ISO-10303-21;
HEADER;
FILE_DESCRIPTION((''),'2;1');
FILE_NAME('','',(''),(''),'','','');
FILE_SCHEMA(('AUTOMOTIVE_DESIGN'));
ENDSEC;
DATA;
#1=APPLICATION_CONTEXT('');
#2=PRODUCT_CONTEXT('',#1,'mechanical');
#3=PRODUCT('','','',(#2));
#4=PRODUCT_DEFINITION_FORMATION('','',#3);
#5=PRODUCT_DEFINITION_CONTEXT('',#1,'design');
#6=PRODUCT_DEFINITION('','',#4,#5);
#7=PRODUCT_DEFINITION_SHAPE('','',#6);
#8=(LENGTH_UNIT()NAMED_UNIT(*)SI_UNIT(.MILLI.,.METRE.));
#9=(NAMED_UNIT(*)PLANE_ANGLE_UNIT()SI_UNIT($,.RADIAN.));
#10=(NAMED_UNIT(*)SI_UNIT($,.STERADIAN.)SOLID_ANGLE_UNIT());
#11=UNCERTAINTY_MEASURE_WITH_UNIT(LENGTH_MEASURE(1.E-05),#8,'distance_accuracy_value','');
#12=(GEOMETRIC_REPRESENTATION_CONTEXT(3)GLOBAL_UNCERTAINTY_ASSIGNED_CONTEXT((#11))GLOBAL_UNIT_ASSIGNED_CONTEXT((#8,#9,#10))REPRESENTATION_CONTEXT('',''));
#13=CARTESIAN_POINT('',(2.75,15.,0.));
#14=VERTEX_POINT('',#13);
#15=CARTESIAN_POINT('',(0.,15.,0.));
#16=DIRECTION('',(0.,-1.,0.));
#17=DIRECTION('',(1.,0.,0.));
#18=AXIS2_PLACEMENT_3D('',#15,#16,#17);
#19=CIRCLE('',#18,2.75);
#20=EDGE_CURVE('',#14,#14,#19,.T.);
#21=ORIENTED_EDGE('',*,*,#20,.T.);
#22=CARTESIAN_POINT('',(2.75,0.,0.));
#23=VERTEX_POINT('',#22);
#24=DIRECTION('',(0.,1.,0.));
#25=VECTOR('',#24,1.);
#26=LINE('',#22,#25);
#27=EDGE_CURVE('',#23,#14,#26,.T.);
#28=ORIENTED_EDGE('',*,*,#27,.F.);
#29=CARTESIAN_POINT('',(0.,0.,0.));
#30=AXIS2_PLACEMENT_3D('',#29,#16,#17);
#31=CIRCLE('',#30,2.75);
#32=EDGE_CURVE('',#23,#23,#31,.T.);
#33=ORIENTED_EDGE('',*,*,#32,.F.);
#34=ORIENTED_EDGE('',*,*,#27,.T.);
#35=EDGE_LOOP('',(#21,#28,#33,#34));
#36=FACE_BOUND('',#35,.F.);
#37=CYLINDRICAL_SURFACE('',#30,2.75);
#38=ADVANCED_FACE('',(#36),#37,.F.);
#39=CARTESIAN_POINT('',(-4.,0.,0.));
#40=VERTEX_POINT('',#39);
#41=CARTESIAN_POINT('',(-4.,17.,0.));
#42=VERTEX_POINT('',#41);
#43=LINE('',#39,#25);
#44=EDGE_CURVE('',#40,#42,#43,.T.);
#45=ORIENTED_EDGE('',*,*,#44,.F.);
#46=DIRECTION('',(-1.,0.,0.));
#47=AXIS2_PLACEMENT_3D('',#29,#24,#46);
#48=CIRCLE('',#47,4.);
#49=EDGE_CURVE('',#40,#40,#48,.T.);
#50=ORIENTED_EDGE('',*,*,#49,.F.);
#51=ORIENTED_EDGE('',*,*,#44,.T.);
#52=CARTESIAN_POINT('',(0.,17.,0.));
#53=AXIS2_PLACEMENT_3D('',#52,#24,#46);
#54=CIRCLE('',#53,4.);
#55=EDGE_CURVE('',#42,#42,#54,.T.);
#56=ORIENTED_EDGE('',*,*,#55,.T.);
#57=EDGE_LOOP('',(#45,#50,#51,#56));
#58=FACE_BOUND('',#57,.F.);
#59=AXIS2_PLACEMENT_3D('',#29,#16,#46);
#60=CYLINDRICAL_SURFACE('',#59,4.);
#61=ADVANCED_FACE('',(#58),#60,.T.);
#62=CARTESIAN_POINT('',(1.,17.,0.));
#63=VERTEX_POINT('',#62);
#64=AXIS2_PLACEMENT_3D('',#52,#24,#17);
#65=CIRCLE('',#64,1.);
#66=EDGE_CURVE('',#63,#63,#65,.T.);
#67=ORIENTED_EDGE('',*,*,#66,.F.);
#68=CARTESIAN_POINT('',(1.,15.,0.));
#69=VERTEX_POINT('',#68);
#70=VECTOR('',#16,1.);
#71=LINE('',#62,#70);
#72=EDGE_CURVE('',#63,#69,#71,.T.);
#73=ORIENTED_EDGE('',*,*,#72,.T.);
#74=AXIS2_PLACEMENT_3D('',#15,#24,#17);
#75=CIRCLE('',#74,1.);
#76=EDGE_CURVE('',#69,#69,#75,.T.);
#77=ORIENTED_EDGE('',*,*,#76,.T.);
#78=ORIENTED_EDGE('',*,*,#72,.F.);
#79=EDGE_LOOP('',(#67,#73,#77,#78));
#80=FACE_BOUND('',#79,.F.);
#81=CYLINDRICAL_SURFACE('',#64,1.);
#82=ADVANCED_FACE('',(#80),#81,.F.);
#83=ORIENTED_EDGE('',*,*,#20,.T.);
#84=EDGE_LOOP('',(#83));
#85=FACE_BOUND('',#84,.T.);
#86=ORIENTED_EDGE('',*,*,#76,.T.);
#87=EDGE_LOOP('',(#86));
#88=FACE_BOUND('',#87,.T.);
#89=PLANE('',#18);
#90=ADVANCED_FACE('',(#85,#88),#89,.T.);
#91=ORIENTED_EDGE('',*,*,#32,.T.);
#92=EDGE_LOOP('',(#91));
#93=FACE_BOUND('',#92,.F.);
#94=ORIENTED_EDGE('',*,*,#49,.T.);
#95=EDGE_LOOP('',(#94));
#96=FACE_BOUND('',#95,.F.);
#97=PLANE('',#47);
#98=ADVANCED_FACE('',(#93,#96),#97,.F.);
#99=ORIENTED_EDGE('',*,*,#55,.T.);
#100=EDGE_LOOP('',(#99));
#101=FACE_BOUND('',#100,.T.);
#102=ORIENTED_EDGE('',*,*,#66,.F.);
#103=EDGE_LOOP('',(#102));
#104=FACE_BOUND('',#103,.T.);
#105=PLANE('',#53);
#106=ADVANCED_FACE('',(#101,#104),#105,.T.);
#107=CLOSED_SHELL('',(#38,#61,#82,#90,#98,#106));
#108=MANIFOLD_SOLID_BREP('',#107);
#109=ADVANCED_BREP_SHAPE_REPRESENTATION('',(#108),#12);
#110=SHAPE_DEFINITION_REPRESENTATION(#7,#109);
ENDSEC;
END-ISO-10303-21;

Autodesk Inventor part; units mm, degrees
ref_plane "YZ Plane" through (0, 0, 0) normal (1, 0, 0) x (0, 1, 0)
ref_plane "XZ Plane" through (0, 0, 0) normal (0, 1, 0) x (-1, 0, 0)
ref_plane "XY Plane" through (0, 0, 0) normal (0, 0, 1) x (1, 0, 0)
sketch "Sketch1" plane through (0, 0, 0) normal (0, 1, 0) x (-1, 0, 0)
  circle A0 centre (0, 0) radius 4
  dimension "d0" = 8
extrude "Extrusion1" add sketch "Sketch1" along normal blind 17
sketch "Sketch2" plane through (0, 17, 0) normal (0, 1, 0) x (1, 0, 0)
  circle A0 centre (0, 0) radius 1
  dimension "d3" = 2
extrude "Extrusion2" cut sketch "Sketch2" against normal blind 3
sketch "Sketch3" plane through (0, 0, 0) normal (0, -1, 0) x (1, 0, 0)
  circle A0 centre (0, 0) radius 2.75
  dimension "d6" = 5.5
extrude "Extrusion3" cut sketch "Sketch3" against normal blind 15
properties part number "conexão tubo mouse"
